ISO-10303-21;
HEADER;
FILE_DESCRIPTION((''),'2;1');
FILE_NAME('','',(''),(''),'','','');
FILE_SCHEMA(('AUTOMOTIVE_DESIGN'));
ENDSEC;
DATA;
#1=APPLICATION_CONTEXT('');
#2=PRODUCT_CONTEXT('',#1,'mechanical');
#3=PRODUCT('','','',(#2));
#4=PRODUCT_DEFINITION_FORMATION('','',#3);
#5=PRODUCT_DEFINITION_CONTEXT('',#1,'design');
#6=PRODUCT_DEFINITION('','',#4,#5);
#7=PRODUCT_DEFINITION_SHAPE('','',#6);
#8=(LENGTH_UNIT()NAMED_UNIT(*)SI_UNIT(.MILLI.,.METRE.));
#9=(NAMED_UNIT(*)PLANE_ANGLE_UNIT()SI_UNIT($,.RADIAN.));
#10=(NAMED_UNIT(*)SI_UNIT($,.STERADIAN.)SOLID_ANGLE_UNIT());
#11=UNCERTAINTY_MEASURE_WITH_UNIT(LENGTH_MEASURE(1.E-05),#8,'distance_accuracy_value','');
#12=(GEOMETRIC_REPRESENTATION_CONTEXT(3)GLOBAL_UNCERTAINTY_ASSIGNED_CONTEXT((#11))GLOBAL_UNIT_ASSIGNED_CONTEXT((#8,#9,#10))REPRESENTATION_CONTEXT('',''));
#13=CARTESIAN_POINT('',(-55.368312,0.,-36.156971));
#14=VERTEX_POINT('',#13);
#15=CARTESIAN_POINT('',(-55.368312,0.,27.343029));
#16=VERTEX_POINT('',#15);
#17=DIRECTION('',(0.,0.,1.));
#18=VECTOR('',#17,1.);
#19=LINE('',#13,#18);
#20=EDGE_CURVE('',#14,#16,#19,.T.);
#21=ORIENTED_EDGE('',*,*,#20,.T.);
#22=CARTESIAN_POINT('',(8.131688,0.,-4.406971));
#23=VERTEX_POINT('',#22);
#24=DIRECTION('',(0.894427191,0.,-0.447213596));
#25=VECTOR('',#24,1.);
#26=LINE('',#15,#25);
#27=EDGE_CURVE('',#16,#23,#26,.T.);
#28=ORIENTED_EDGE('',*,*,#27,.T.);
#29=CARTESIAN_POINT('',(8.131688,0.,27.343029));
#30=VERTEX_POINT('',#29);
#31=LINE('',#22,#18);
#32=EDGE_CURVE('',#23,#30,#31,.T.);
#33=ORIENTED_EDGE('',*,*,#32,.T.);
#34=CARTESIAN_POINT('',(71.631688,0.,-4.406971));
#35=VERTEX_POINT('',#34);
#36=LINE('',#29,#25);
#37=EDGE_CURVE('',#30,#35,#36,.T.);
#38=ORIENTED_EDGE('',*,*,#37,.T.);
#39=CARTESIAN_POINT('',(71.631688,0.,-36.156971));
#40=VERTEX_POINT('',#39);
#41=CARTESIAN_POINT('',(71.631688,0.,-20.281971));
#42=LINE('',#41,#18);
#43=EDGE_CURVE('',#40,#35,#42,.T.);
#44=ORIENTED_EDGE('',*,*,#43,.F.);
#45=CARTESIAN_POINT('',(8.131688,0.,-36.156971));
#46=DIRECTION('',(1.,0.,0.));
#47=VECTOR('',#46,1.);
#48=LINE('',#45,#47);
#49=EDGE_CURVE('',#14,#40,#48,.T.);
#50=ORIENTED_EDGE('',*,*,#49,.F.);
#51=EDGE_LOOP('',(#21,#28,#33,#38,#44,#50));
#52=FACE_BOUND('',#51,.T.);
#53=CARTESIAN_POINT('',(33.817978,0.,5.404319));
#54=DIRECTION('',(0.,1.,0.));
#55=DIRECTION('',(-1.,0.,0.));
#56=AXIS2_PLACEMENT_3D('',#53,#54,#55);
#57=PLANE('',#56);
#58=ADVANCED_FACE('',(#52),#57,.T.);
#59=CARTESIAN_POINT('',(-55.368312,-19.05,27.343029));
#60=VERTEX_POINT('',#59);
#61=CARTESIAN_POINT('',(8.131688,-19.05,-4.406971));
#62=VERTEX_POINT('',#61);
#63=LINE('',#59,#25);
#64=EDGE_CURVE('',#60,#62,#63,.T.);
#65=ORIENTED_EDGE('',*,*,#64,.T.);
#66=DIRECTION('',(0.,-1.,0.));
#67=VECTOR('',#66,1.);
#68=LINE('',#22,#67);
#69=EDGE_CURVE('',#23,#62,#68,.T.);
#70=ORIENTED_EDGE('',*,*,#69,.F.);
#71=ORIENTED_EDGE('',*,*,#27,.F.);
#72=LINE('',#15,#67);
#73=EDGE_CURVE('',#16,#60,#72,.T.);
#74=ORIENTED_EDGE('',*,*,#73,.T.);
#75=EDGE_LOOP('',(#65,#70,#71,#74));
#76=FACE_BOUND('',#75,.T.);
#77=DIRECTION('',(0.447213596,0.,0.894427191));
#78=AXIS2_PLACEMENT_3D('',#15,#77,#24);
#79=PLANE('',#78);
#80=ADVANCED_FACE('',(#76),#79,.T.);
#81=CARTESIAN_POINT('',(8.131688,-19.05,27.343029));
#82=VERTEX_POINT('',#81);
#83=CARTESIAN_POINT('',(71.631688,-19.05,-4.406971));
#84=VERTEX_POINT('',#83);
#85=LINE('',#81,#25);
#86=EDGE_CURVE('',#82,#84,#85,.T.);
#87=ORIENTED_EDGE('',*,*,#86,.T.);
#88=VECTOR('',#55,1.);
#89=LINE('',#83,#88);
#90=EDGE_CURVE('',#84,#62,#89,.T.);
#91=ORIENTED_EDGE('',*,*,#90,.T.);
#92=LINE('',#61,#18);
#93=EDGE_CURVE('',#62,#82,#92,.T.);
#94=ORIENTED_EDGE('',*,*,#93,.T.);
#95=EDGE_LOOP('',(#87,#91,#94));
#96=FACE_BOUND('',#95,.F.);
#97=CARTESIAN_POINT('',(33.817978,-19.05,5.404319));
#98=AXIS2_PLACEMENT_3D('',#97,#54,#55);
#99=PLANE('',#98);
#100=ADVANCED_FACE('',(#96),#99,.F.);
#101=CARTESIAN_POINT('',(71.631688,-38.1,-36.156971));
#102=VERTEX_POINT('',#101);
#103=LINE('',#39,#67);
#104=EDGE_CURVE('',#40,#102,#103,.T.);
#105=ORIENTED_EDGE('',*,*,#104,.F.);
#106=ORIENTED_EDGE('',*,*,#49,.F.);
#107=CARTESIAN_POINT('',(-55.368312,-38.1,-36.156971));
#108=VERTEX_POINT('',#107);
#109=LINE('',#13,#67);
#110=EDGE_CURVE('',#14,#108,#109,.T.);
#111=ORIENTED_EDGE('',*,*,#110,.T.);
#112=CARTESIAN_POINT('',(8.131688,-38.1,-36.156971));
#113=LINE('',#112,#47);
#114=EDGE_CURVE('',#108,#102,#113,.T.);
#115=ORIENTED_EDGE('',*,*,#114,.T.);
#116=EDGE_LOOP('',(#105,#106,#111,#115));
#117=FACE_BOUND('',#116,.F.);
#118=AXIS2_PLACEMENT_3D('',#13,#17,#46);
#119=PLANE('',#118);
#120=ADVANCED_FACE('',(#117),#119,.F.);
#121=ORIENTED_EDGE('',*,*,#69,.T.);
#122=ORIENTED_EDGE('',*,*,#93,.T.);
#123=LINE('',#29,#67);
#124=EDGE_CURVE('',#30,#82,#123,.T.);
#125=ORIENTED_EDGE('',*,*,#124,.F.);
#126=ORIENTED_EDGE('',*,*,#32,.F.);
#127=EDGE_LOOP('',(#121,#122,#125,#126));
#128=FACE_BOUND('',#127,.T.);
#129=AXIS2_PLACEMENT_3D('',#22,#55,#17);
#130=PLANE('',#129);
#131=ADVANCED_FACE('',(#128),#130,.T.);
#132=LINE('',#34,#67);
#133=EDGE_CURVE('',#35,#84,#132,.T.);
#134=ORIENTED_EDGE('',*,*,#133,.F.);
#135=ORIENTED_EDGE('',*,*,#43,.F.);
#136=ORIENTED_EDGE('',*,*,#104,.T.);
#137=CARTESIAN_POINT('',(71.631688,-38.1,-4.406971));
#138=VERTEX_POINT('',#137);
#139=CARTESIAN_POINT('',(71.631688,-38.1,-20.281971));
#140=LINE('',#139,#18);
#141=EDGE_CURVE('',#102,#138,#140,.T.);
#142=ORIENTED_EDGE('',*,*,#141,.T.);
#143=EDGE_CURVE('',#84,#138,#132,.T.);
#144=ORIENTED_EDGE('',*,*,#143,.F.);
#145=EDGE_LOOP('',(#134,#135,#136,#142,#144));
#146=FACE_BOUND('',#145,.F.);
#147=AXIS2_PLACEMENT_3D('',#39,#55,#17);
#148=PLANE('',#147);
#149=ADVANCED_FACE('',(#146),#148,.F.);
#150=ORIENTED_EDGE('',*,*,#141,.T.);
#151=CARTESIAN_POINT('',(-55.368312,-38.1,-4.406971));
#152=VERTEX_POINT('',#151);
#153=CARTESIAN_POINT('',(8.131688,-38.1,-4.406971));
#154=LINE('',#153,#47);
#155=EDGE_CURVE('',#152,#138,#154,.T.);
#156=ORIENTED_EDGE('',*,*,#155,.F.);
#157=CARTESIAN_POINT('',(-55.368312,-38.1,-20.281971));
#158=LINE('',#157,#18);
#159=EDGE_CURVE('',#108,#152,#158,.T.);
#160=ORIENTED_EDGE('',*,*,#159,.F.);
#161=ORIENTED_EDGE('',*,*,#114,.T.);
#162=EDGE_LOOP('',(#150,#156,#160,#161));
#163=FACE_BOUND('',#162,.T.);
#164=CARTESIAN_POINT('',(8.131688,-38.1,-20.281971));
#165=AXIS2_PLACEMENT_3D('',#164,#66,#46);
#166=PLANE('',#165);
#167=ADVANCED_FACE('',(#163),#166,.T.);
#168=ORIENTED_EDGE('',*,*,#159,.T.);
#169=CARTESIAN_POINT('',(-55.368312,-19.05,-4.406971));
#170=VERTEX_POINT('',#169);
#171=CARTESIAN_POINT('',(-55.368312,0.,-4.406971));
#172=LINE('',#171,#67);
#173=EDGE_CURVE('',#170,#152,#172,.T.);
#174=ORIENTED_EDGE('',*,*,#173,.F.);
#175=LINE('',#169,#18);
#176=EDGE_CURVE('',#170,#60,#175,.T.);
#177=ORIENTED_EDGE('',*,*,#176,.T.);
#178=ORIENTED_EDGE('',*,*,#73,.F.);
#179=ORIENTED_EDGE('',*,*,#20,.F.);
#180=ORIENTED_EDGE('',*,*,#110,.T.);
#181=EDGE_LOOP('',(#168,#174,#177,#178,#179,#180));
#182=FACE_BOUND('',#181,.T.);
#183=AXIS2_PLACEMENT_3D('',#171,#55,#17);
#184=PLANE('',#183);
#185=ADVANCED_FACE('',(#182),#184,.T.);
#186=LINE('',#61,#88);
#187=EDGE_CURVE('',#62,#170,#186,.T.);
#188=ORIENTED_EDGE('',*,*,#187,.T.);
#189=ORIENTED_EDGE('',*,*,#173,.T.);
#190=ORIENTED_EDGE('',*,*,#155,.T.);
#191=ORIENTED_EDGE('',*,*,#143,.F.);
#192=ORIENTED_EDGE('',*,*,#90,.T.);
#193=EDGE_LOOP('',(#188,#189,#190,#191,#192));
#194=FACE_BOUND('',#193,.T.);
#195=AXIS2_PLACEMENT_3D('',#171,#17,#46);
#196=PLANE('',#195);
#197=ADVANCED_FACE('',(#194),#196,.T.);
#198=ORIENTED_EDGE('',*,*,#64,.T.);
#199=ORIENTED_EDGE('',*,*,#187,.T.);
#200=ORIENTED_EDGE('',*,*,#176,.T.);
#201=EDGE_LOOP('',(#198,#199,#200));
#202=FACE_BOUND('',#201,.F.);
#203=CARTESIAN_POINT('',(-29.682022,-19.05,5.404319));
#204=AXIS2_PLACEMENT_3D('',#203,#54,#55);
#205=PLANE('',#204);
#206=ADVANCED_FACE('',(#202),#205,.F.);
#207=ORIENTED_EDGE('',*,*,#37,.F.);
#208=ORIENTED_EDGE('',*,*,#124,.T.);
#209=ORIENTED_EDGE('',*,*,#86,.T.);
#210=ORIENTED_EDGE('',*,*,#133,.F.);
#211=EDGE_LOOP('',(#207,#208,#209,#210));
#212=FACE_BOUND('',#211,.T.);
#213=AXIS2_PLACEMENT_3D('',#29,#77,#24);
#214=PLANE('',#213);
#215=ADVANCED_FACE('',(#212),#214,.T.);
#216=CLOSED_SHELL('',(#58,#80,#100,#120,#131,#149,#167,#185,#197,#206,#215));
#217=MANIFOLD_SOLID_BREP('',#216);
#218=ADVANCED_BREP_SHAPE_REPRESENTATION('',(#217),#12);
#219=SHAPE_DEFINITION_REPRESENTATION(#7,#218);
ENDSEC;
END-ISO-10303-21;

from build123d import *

# Parameters (mm, degrees)
F0_W     = 127
F0_H     = 31.75
F1_DEPTH = 38.1
F3_DEPTH = 19.05


with BuildPart() as f1:
    # F0 (on Front) → F1 (new body)
    with BuildSketch(Plane.XZ):
        with Locations((8.131688, -20.281971)):
            Rectangle(F0_W, F0_H)
    extrude(amount=F1_DEPTH)

    # F2 (on face) → F3 (join)
    with BuildSketch(Plane(origin=(0, 0, 0), x_dir=(-1, 0, 0), z_dir=(0, 1, 0))):
        Polygon((-71.631688, -4.406971), (-8.131688, -4.406971), (-8.131688, 27.343029), align=None)
        Polygon((-8.131688, -4.406971), (55.368312, -4.406971), (55.368312, 27.343029), align=None)
    extrude(amount=-F3_DEPTH)


solid = f1.part
